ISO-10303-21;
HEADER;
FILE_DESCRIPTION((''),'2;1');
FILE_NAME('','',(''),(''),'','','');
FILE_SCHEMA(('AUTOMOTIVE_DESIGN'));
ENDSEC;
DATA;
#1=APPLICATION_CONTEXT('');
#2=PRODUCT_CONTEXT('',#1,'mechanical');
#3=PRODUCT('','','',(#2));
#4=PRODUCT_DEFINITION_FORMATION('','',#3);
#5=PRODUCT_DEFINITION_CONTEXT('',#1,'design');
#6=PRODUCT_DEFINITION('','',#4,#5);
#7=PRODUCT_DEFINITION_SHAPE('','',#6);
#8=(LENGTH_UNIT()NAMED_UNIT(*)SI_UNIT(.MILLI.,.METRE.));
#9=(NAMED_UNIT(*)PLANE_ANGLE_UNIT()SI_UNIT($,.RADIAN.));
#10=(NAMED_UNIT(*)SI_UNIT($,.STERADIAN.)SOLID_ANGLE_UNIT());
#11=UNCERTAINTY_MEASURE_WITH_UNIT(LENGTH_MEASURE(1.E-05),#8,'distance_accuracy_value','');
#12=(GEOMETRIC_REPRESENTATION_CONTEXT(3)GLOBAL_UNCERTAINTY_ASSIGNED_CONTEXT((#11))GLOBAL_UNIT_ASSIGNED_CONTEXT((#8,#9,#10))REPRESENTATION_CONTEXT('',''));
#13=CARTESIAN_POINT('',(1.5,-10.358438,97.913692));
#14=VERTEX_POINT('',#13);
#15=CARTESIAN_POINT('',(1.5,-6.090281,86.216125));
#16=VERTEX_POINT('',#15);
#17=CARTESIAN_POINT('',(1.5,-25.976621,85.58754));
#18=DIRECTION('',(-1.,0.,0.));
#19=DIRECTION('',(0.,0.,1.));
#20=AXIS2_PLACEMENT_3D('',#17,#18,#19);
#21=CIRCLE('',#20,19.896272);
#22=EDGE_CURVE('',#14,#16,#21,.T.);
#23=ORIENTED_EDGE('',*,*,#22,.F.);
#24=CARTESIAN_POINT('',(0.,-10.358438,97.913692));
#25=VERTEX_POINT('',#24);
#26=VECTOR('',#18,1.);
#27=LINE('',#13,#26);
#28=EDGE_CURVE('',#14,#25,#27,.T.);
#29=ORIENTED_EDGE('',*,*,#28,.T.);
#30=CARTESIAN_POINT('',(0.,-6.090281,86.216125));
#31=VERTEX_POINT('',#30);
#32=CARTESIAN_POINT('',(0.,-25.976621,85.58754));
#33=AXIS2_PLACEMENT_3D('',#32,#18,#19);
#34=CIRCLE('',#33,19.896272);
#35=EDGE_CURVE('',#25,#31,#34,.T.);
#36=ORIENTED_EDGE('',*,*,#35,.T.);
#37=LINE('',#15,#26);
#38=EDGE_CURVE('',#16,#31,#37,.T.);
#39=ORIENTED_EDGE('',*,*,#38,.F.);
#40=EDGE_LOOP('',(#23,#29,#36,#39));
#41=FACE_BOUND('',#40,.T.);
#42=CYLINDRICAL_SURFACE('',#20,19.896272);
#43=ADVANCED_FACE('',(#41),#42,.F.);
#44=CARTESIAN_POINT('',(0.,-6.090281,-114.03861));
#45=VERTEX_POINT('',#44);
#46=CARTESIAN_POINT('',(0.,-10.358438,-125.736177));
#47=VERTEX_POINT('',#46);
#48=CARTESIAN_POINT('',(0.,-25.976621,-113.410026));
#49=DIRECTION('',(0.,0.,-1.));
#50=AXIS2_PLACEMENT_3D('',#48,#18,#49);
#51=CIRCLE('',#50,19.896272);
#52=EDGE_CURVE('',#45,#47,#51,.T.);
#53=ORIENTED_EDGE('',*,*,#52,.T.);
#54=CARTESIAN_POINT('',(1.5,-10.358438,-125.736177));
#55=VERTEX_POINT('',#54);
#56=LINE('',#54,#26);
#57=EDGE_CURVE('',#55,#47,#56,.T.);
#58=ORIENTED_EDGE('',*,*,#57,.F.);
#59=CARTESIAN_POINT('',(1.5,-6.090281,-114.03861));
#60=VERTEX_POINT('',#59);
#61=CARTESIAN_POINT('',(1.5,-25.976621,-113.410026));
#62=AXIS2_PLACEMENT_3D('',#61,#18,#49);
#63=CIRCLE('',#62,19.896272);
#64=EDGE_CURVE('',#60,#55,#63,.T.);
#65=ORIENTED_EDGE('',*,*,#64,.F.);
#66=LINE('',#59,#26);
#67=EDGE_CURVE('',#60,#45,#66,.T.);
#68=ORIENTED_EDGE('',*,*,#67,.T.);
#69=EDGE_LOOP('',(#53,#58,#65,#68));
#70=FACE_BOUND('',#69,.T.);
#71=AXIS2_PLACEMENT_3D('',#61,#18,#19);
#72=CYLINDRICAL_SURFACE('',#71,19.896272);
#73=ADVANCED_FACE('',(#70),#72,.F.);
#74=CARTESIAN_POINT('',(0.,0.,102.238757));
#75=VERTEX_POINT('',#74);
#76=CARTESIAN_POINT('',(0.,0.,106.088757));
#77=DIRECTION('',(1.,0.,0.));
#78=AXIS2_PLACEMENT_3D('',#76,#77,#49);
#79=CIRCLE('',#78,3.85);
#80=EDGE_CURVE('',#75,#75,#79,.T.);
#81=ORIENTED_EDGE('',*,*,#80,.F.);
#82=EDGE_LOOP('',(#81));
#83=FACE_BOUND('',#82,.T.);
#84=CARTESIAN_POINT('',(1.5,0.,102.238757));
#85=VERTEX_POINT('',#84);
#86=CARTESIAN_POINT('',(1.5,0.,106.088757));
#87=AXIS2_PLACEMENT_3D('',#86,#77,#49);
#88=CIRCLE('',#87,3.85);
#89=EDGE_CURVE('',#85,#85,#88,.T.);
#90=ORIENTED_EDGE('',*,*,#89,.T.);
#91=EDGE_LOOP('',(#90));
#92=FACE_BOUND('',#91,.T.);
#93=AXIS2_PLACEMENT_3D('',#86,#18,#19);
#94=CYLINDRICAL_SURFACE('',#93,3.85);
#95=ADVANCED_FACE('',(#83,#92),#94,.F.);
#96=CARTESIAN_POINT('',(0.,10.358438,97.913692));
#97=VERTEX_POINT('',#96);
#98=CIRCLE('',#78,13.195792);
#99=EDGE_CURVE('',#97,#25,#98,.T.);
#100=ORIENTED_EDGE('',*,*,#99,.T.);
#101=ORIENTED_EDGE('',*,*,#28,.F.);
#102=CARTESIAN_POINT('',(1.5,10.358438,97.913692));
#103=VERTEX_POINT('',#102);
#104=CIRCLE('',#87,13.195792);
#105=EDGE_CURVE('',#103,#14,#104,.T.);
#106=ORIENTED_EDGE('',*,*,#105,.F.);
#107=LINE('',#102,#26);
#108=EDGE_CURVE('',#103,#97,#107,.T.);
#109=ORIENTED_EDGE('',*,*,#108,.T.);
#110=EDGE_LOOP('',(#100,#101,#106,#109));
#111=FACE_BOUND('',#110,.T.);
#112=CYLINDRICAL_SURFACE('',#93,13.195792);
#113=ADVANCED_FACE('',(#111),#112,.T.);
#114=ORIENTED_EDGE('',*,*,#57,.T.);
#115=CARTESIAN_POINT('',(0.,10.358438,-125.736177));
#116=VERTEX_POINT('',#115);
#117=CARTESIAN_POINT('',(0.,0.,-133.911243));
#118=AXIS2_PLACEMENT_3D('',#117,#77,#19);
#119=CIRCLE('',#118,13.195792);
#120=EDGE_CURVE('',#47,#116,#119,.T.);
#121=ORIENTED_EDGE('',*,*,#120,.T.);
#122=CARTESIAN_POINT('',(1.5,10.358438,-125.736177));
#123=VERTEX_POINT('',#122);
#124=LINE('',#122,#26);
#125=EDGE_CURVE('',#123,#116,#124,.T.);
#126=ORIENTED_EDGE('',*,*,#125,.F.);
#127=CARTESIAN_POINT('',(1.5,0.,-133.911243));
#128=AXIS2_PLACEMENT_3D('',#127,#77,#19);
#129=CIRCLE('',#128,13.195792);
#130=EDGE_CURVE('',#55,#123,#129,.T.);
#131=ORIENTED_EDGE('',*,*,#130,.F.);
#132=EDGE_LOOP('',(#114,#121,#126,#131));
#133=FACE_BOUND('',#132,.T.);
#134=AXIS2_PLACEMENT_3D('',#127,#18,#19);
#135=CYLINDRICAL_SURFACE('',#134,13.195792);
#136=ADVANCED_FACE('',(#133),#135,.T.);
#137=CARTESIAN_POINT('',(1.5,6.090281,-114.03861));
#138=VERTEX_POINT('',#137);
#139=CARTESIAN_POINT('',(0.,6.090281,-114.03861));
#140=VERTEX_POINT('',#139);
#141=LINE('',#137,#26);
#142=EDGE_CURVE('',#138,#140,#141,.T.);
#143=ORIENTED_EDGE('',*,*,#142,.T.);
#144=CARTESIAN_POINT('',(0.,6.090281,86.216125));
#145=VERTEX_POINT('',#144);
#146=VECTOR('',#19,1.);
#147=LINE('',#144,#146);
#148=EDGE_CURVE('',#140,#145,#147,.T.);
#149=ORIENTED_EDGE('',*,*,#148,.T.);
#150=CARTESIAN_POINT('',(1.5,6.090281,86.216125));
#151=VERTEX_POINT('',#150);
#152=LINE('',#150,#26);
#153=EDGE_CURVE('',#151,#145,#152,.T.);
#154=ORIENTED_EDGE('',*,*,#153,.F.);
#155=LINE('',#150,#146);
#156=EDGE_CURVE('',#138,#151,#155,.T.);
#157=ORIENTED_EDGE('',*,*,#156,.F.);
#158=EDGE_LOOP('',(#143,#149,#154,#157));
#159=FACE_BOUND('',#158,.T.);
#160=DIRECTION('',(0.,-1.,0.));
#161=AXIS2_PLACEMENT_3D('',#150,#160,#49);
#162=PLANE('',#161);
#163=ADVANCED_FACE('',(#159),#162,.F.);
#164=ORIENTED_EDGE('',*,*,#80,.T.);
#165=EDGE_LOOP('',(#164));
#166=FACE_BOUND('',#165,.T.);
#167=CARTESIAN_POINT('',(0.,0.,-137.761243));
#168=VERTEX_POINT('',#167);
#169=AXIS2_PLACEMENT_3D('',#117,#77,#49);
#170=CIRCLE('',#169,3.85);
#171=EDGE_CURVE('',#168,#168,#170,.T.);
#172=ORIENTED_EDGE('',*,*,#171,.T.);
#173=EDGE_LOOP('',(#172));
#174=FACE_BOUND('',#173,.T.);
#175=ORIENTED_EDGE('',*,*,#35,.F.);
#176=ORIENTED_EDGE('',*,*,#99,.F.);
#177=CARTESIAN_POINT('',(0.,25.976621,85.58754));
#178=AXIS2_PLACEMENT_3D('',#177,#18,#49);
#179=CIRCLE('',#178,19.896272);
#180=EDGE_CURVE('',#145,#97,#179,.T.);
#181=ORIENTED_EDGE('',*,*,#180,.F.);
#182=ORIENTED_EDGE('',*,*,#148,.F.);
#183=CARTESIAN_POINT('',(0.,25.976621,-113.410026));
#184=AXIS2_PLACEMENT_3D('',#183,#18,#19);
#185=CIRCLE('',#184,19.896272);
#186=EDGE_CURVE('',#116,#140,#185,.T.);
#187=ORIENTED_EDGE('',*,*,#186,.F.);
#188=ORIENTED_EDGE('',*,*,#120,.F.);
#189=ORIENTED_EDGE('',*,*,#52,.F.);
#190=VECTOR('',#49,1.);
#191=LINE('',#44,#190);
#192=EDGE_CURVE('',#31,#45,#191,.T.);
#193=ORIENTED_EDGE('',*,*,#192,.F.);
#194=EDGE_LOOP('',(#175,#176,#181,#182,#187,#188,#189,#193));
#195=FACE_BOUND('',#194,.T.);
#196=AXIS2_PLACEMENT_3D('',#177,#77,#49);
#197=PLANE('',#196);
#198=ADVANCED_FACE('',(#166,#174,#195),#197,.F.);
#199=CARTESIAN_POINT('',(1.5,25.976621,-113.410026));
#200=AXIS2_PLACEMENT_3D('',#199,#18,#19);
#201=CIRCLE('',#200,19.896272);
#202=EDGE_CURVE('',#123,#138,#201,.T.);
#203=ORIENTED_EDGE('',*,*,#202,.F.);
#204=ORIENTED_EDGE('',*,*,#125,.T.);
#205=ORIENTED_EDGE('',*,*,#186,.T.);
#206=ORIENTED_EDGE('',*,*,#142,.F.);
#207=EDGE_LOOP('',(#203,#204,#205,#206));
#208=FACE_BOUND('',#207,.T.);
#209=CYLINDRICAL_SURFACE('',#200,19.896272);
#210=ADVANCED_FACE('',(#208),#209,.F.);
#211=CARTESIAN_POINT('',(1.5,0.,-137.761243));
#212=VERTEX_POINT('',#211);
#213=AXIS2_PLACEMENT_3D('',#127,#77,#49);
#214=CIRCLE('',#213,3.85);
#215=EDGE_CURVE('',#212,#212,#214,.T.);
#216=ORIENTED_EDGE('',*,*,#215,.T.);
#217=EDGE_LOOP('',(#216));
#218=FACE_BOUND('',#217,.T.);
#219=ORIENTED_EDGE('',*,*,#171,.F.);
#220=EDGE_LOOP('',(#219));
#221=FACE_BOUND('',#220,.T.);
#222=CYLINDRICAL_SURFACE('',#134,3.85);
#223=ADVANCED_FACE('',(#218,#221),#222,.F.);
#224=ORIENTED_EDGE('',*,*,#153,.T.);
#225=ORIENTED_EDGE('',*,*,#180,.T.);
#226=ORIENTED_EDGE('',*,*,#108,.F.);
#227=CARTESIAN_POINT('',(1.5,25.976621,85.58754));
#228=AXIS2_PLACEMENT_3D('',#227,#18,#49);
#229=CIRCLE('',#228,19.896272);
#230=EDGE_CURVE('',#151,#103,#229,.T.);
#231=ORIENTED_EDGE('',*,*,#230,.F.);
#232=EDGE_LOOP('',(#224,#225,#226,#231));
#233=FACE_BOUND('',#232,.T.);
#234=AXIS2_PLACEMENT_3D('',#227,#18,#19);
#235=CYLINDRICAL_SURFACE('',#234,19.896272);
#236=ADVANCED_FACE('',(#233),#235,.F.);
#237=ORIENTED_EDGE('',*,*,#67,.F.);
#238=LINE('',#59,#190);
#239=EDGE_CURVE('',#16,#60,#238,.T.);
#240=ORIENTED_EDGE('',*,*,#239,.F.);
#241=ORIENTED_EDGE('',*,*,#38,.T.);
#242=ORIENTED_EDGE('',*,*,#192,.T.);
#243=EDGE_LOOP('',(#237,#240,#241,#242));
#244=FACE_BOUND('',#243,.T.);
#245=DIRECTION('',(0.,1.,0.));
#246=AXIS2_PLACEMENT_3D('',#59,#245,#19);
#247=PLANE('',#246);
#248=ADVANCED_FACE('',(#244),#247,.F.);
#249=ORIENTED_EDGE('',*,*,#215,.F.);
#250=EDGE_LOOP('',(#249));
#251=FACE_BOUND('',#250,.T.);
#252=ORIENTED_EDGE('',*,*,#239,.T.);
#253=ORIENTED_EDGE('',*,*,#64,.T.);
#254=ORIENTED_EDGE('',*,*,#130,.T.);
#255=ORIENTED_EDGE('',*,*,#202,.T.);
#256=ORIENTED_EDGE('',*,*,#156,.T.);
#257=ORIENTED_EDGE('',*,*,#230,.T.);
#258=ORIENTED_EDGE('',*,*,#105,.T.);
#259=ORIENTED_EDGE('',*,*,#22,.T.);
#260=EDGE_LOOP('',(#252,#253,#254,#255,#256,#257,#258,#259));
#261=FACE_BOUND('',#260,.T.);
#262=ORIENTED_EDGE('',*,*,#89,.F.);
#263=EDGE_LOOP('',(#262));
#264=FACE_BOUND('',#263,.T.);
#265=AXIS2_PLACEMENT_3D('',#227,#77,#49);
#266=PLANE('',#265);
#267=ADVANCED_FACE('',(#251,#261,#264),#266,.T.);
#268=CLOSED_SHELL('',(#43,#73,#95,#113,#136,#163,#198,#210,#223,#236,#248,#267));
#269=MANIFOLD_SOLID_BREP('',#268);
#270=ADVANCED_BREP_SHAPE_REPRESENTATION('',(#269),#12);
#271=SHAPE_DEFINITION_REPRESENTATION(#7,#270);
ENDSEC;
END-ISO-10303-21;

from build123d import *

# Parameters (mm, degrees)
SKETCH_2_R      = 3.85
EXTRUDE_1_DEPTH = 1.5


with BuildPart() as part:
    # 草圖2 → 填料-伸長1 (new body)
    with BuildSketch(Plane(origin=(0, 0, 0), x_dir=(0, 0, -1), z_dir=(1, 0, 0))):
        with BuildLine():
            Line((-86.216124971, 6.090280685), (114.038610046, 6.090280685))
            ThreePointArc((114.038610046, 6.090280685), (120.229892502, 7.285685691), (125.736176674, 10.35843791))
            ThreePointArc((125.736176674, 10.35843791), (147.107034966, 0), (125.736176674, -10.35843791))
            ThreePointArc((125.736176674, -10.35843791), (120.229892502, -7.285685691), (114.038610046, -6.090280685))
            Line((114.038610046, -6.090280685), (-86.216124971, -6.090280685))
            ThreePointArc((-86.216124971, -6.090280685), (-92.407407427, -7.285685691), (-97.913691598, -10.35843791))
            ThreePointArc((-97.913691598, -10.35843791), (-119.284549891, 0), (-97.913691598, 10.35843791))
            ThreePointArc((-97.913691598, 10.35843791), (-92.407407427, 7.285685691), (-86.216124971, 6.090280685))
        make_face()
        with Locations((133.911242538, 0)):
            Circle(SKETCH_2_R, mode=Mode.SUBTRACT)
        with Locations((-106.088757462, 0)):
            Circle(SKETCH_2_R, mode=Mode.SUBTRACT)
    extrude(amount=EXTRUDE_1_DEPTH)


solid = part.part
